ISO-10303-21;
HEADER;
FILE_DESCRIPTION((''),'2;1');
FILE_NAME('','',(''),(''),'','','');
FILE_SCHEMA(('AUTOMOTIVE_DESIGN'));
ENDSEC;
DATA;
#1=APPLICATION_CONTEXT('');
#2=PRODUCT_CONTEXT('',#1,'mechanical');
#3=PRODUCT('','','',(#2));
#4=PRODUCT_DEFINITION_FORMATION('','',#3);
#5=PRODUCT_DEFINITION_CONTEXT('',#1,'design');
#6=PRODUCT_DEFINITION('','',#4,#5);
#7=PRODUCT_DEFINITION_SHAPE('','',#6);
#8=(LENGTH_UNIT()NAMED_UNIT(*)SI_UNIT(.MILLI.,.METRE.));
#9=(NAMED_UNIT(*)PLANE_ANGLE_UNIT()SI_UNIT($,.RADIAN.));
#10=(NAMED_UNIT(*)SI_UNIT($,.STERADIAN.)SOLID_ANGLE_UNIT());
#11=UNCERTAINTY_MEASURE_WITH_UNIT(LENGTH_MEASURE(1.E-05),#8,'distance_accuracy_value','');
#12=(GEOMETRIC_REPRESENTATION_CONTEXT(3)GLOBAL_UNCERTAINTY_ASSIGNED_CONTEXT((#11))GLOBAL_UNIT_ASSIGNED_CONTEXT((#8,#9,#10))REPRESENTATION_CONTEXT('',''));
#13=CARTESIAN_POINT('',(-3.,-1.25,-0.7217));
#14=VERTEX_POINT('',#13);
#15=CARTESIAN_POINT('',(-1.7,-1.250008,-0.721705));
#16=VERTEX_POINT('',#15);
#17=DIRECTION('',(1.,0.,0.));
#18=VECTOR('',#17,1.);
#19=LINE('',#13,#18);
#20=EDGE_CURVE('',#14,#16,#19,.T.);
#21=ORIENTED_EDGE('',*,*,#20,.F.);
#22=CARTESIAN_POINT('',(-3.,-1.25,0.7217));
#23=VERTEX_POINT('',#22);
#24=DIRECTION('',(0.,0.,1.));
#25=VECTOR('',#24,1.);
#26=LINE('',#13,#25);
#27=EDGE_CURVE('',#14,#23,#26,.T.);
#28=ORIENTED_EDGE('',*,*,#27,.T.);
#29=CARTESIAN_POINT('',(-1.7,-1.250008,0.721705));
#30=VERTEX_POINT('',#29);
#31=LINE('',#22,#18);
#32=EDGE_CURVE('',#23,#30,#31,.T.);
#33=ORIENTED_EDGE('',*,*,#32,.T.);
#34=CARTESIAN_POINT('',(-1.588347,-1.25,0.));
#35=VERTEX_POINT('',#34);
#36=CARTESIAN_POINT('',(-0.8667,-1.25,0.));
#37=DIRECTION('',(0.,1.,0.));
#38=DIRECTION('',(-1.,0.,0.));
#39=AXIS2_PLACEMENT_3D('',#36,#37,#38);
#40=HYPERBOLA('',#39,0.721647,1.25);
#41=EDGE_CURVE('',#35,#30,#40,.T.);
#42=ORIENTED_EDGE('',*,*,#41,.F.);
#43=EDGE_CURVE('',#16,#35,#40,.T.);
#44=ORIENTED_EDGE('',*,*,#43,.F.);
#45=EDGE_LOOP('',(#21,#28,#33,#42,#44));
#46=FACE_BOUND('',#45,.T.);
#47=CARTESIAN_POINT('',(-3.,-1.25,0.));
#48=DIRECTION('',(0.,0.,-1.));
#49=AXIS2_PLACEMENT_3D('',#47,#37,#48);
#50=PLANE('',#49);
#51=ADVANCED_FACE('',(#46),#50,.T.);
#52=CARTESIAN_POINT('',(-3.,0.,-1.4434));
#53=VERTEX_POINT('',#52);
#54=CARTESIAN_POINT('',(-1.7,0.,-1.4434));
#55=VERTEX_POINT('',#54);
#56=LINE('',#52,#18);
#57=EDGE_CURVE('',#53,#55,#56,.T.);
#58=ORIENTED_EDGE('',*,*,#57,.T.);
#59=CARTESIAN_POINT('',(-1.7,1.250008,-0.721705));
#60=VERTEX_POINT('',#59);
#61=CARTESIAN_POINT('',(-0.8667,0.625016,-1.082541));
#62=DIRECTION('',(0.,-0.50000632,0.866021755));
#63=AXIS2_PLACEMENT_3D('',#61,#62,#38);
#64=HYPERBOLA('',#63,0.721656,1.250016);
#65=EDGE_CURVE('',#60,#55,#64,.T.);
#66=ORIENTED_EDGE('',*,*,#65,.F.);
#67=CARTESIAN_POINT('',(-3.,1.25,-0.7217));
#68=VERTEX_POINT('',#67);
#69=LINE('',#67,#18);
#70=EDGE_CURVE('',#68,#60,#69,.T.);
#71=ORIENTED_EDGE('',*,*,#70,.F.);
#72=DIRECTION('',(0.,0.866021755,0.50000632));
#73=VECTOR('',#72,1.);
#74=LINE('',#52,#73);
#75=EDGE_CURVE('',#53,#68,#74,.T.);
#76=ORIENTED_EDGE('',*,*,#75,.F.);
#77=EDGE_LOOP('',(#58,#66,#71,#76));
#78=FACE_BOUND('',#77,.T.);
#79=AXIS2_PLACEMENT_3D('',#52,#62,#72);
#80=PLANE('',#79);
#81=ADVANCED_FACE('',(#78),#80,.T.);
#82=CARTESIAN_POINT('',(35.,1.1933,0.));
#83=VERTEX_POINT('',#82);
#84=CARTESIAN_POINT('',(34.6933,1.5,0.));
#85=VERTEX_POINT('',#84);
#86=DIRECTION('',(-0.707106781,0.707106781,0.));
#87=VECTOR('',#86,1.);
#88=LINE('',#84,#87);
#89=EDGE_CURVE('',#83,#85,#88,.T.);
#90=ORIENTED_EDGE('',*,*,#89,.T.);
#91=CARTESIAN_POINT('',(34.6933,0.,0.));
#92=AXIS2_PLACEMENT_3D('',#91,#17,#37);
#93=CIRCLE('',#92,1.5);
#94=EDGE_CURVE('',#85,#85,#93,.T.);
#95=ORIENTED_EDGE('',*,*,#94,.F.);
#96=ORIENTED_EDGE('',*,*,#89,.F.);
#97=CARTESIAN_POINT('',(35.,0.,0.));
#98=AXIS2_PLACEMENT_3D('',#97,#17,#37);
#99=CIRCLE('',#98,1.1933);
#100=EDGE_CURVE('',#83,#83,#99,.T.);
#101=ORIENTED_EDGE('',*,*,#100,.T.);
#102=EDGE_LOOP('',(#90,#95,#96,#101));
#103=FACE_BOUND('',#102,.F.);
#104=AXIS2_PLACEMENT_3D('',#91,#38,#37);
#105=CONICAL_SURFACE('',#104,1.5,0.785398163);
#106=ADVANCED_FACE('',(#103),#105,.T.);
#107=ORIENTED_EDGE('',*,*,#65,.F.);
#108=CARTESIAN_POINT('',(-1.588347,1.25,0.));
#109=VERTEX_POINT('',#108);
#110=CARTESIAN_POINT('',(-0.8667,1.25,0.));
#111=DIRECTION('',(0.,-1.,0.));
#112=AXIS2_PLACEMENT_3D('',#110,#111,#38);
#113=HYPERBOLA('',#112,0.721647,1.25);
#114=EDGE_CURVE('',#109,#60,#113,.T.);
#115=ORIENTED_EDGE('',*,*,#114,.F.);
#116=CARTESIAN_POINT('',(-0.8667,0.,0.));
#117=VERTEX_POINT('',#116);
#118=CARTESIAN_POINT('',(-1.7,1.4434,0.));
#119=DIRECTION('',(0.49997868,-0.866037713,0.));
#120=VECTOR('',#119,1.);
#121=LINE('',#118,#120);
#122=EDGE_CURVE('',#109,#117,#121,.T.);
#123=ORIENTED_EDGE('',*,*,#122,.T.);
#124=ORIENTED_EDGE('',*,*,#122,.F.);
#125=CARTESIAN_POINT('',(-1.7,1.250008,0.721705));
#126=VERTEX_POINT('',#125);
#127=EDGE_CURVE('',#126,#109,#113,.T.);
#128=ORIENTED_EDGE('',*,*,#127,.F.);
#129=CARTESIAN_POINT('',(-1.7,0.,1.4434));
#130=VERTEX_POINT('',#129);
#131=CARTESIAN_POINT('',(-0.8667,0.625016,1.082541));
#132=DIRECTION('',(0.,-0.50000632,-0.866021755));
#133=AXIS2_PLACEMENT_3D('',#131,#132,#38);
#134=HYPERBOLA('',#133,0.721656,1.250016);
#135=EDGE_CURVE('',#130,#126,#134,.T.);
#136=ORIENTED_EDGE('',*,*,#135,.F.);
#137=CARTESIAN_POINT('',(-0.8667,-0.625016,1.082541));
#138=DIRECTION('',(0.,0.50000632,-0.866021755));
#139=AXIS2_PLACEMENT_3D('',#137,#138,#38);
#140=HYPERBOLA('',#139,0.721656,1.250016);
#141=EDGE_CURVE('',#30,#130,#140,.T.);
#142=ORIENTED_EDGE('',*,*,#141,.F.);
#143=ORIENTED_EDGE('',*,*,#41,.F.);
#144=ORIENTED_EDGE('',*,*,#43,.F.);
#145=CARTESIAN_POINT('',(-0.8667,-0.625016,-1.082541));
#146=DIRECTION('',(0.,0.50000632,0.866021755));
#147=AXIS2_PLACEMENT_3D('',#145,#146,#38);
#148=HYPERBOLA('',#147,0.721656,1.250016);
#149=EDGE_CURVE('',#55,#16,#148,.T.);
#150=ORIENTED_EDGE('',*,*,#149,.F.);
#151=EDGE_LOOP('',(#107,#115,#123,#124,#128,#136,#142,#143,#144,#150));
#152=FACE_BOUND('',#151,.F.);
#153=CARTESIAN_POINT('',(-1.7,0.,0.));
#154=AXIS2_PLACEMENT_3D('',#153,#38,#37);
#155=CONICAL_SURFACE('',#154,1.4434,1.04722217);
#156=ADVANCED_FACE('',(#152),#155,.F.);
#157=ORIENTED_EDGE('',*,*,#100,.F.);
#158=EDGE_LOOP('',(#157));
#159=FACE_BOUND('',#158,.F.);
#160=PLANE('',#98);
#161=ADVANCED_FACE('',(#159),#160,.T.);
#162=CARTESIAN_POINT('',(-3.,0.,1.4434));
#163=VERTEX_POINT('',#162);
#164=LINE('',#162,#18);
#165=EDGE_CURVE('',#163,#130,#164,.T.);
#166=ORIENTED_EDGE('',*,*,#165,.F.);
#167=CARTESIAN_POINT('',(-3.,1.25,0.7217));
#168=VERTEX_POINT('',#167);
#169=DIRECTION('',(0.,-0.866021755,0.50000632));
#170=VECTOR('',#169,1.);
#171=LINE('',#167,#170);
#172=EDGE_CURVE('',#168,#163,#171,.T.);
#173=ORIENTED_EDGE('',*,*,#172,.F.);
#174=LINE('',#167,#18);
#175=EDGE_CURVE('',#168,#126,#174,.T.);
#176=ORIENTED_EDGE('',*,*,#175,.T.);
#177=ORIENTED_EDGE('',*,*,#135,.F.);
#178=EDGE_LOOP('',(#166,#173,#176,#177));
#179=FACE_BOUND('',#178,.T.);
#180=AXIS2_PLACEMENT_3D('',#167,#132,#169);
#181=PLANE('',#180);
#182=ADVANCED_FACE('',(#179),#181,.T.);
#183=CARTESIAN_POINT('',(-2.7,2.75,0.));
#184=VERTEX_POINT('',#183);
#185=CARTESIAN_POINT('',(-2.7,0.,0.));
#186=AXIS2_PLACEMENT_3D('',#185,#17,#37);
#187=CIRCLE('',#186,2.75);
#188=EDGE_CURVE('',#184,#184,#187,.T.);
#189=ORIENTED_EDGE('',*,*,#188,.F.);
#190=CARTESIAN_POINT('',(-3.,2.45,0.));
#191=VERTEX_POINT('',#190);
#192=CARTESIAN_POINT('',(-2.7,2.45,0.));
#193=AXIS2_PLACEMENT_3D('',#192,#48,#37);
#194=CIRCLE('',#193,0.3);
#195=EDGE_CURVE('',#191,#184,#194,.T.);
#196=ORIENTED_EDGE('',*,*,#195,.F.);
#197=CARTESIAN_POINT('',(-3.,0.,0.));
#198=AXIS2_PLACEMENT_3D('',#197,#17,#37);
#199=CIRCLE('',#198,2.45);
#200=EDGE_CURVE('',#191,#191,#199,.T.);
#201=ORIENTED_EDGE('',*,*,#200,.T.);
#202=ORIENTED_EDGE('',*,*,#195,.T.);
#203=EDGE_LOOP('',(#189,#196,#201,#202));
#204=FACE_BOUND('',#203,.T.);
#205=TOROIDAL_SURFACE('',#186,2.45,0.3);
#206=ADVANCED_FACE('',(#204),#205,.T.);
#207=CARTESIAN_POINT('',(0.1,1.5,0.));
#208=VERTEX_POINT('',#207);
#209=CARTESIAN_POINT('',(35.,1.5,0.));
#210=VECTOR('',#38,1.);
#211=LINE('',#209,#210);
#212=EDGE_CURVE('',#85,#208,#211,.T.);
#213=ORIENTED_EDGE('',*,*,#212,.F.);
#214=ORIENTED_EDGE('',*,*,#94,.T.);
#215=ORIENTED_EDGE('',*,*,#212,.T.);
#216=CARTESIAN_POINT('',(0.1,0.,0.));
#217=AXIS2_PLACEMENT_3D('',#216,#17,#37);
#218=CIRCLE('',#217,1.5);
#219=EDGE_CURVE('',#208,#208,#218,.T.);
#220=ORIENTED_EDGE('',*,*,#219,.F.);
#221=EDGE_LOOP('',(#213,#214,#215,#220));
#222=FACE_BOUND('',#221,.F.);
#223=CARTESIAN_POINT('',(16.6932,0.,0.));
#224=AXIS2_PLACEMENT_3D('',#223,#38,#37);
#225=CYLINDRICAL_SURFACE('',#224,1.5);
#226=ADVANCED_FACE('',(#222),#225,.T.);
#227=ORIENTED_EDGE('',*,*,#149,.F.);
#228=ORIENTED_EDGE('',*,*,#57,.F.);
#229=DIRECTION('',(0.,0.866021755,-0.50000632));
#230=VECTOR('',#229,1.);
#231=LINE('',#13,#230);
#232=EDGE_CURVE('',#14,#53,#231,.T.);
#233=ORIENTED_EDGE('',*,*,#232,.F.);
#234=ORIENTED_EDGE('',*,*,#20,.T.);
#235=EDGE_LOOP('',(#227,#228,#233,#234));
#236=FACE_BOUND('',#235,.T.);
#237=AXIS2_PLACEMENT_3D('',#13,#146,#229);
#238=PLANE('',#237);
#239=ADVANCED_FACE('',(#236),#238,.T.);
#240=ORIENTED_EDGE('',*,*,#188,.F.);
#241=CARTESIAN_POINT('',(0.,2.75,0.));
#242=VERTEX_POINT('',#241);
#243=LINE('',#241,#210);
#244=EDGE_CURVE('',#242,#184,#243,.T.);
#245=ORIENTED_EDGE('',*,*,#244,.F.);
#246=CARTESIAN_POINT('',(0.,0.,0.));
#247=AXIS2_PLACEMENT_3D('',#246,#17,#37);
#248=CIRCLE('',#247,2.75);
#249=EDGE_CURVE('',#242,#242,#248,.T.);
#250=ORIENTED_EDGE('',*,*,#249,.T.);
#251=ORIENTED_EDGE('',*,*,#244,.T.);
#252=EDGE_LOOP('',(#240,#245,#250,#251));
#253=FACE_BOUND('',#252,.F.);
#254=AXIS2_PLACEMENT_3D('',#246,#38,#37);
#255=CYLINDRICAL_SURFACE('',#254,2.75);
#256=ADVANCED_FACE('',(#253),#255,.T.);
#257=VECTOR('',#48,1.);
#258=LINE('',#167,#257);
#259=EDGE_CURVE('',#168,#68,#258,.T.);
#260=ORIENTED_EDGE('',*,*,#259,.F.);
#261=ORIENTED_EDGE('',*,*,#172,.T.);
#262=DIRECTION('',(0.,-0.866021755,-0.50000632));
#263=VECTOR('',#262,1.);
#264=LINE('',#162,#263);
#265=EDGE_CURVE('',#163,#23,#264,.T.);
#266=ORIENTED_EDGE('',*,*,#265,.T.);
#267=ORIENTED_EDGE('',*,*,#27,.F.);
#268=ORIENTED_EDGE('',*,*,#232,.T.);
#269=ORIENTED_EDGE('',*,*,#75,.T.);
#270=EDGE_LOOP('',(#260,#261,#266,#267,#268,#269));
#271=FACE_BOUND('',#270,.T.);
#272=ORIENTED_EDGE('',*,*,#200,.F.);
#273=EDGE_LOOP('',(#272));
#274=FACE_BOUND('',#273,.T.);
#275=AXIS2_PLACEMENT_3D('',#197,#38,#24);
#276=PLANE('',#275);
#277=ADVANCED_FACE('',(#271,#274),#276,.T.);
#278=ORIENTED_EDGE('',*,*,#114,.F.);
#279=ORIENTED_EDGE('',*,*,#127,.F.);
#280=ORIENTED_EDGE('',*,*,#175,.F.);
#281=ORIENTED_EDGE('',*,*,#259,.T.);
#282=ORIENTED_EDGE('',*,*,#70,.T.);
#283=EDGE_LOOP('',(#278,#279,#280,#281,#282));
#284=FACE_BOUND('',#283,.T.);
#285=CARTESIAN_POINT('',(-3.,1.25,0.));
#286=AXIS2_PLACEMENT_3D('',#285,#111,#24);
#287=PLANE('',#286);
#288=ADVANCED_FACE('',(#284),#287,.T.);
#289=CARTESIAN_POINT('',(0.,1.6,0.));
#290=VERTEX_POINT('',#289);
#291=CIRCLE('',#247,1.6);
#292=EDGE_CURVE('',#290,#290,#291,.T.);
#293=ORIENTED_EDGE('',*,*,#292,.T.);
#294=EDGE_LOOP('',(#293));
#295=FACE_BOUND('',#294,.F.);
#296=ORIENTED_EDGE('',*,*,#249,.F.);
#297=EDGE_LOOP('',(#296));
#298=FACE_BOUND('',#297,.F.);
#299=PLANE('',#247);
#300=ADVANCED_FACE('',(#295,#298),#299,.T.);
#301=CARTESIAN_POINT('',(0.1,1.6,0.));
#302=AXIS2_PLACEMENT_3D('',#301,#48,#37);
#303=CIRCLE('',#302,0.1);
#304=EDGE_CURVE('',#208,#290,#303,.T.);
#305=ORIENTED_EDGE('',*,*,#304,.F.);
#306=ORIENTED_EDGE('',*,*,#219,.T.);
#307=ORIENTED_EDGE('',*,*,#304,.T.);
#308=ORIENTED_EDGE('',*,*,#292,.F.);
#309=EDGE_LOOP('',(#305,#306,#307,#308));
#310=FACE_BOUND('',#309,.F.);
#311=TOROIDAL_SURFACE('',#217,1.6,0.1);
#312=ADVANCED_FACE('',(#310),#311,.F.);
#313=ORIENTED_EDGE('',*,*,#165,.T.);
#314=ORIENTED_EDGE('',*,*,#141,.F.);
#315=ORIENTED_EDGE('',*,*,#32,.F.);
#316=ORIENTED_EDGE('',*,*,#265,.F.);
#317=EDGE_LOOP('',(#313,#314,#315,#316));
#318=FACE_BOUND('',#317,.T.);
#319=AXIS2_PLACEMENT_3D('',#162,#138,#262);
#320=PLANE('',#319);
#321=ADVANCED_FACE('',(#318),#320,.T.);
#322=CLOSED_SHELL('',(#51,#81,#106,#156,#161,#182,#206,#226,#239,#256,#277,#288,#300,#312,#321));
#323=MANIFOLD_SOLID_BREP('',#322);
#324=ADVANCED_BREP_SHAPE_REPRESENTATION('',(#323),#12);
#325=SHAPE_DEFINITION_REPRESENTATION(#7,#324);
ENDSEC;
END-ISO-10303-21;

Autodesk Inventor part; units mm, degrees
ref_plane "YZ Plane" through (0, 0, 0) normal (1, 0, 0) x (0, 1, 0)
ref_plane "XZ Plane" through (0, 0, 0) normal (0, 1, 0) x (-1, 0, 0)
sketch "Szkic1" plane through (0, 0, 0) normal (0, 0, 1) x (1, 0, 0)
  line L0 (-0.8667, 0) -> (35, 0)
  line L1 (35, 0) -> (35, 1.5)
  line L2 (35, 1.5) -> (17, 1.5)
  line L3 (17, 1.5) -> (16.6932, 1.5)
  line L4 (16.6932, 1.5) -> (0, 1.5)
  line L5 (0, 1.5) -> (0, 2.75)
  line L6 (0, 2.75) -> (-3, 2.75)
  line L7 (-3, 2.75) -> (-3, 1.4434)
  line L8 (-3, 1.4434) -> (-1.7, 1.4434)
  line L9 (-1.7, 1.4434) -> (-0.8667, 0)
  line L10 (-10.6, 0) -> (42.6, 0) projected
  line L11 (0, -0.55) -> (0, 3.3) projected
  line L12 (17, 1.5) -> (0, 1.5) construction
  dimension "d1" = 18
  dimension "d2" = 0.3068
  dimension "d3" = 3
  dimension "d4" = 1.3
  dimension "d5" = 60
  dimension "d6" = 3
  dimension "d7" = 3
  dimension "d8" = 2.8868
  dimension "d9" = 5.5
  dimension "d26" = 35
revolve "Bryła" add sketch "Szkic1" angle 360 about axis through (-0.8667, 0, 0) along (1, 0, 0)
sketch "Szkic2" plane through (-3, 0, 0) normal (-1, 0, 0) x (0, 0, 1)
  circle A0 centre (0, 0) radius 1.4434 projected
  line L0 (0, -3.85) -> (0, 3.85) projected
  line L1 (-3.85, 0) -> (3.85, 0) projected
  line L2 (1.4434, 0) -> (0.7217, -1.25)
  line L3 (0.7217, -1.25) -> (-0.7217, -1.25)
  line L4 (-0.7217, -1.25) -> (-1.4434, 0)
  line L5 (-1.4434, 0) -> (-0.7217, 1.25)
  line L6 (-0.7217, 1.25) -> (0.7217, 1.25)
  line L7 (0.7217, 1.25) -> (1.4434, 0)
extrude "Szczelina" add sketch "Szkic2" against normal up to next contours L7 A0 | A0 L2 | L6 L0 A0 | A0 L0 L3 | L0 L6 A0 | A0 L3 L0 | L4 A0 | A0 L5
fillet "Zaokrąglenie1" radius 0.3 1 edges at (-3, -2.75, 0)
thread "Gwint" size "M3x0.5" class "6g" standard "ISO Metric profile" length 18
chamfer "Faza1" distance 0.3067 distance2 0.3067 1 edges at (35, -1.5, 0) measured on face at (35, -0.8773, -0.3972)
ref_plane "Work Plane1" through (29, 0, 0) normal (0, -1, 0) x (1, 0, 0)
fillet "Fillet2" radius 0.1 1 edges at (0, -1.5, 0)
equation "\"d1\" = GEL"
equation "\"d3\" = KOH"
equation "\"d4\" = INTI"
equation "\"d6\" = GD"
equation "\"d7\" = BDM"
equation "\"d8\" = 1.1547 * SW"
equation "\"d9\" = KOD"
equation "\"d30\" = R"
equation "\"d17\" = RR"
equation "\"d13\" = GEL"
equation "\"d15\" = -0.5 * SPD + 0.5 * GD"
equation "\"d16\" = GUL"
equation "\"GD\" = NND"
equation "\"GEL\" = 18"
equation "\"KOD\" = 5.5"
equation "\"KOH\" = 3"
equation "\"INTI\" = 1.3"
equation "\"GAL\" = 0.61345 * PTC"
equation "\"GUL\" = 0.61345 * PTC"
equation "\"BDM\" = NND"
equation "\"SW\" = 2.5"
equation "\"RR\" = 0.3"
equation "\"SPD\" = NND - 1.2269 * PTC"
equation "\"R\" = 0.1"
equation "\"TOA\" = 30deg"
equation "\"GD1\" = THREADDIA - 1.2269 * PTC"
equation "\"THREADDIA\" = 3"
equation "\"FAWI\" = 45deg"
equation "\"ANG\" = 120deg"
equation "\"PTC\" = 0.5"
equation "\"NND\" = 3"
equation "\"E0\" = 1.155 * SW"
properties part number "DIN 912 - M3 x 35" material "Stal, miękka"
